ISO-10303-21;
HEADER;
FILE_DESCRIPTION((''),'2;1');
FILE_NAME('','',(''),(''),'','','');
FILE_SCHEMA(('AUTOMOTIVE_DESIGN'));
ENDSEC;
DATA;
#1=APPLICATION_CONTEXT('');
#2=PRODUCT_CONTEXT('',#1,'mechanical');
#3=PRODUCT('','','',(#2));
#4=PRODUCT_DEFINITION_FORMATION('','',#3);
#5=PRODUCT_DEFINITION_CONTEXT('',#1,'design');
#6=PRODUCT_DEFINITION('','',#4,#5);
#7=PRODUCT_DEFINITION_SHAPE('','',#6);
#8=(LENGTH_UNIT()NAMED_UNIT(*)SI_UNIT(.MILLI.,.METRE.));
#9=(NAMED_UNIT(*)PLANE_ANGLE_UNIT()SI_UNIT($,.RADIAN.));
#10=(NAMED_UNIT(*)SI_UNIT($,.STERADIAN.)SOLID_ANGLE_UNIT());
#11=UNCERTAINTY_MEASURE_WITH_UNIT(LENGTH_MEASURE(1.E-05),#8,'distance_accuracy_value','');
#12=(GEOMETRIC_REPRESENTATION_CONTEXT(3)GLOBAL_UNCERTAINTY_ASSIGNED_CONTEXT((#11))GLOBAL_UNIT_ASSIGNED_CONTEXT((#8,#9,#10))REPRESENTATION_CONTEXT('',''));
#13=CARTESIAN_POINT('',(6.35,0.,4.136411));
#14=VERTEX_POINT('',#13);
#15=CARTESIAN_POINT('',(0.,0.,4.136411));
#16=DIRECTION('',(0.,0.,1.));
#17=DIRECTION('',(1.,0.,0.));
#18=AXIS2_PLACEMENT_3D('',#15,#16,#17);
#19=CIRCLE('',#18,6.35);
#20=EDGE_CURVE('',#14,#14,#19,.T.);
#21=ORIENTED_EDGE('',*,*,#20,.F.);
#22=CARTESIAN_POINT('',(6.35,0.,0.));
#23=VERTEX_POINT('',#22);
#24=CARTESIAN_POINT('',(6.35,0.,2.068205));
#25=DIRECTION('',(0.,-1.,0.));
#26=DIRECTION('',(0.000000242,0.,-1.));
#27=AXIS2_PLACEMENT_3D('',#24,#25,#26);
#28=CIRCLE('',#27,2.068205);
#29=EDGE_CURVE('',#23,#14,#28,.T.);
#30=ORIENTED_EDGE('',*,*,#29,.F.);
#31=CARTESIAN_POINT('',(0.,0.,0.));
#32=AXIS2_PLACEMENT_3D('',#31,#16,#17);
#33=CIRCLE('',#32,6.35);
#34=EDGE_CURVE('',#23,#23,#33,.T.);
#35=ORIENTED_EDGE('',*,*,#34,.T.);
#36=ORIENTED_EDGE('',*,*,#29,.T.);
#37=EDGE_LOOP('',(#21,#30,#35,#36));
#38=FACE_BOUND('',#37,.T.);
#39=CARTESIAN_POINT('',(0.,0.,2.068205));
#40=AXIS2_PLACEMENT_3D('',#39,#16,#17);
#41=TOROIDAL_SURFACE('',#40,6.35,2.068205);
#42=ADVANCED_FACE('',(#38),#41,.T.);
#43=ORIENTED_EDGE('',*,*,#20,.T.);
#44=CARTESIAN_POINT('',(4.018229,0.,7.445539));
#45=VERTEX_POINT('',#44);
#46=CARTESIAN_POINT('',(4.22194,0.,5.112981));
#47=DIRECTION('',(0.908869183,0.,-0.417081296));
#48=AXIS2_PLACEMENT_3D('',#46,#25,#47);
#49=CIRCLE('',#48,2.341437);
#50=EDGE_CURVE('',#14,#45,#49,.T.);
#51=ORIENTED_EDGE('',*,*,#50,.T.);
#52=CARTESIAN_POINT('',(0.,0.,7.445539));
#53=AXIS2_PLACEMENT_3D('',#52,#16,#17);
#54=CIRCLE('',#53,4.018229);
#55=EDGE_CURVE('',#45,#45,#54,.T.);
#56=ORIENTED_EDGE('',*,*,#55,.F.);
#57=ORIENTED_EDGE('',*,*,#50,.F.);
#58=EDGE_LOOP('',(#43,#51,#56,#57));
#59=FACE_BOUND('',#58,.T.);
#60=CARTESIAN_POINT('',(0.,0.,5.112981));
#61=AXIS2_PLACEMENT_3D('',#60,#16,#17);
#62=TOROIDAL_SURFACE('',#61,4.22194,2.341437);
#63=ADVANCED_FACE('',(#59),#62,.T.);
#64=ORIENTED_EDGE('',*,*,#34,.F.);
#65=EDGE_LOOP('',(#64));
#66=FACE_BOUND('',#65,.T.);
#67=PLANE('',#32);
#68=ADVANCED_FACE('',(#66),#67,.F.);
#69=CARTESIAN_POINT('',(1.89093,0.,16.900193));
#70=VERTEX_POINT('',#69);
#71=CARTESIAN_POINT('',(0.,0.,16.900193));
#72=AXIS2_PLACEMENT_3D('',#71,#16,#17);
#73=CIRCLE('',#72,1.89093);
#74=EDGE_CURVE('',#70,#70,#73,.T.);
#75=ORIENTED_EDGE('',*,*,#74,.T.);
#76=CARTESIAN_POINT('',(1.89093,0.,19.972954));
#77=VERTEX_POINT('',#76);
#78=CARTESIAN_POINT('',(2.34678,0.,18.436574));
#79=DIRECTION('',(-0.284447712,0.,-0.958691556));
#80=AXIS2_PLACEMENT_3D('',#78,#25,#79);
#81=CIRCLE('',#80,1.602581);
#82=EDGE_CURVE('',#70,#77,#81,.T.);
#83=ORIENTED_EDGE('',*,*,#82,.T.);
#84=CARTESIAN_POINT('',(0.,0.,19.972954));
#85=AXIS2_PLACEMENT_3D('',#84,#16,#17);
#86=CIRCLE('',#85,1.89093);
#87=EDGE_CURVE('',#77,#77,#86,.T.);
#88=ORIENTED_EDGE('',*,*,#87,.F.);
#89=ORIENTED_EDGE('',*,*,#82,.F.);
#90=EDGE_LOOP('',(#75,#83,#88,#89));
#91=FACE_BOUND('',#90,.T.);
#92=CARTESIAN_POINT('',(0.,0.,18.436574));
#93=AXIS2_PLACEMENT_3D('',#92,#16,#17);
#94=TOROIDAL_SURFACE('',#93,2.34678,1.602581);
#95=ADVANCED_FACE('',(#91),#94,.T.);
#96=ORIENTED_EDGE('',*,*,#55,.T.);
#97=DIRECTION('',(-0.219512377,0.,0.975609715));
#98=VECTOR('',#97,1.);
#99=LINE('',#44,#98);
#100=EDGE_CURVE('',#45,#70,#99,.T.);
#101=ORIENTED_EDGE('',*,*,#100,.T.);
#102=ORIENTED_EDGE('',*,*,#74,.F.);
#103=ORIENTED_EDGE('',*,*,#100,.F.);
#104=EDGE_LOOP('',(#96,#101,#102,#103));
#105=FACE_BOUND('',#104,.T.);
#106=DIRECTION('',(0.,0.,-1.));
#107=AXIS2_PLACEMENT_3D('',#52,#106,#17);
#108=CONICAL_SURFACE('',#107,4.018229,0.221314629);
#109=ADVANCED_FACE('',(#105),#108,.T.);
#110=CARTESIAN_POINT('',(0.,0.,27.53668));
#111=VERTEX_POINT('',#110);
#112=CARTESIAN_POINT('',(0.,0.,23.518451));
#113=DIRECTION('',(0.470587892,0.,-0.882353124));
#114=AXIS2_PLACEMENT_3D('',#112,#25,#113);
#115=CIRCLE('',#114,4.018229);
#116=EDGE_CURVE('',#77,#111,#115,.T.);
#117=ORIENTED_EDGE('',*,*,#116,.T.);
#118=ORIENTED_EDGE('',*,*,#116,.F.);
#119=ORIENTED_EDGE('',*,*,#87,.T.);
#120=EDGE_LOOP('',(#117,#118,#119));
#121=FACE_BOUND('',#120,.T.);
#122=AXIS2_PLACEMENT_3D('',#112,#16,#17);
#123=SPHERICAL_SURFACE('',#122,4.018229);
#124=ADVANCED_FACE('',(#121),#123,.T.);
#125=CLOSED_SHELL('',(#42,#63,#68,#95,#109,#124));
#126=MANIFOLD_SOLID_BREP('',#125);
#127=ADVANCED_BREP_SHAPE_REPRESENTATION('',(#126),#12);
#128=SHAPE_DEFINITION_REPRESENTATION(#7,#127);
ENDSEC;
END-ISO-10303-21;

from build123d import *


with BuildPart() as f1:
    # F0 (on Front) → F1 (revolve)
    with BuildSketch(Plane.XZ):
        with BuildLine():
            Line((0, 27.53668), (0, 0))
            Line((0, 0), (6.35, 0))
            ThreePointArc((6.35, 0), (8.418205, 2.068205), (6.35, 4.136411))
            ThreePointArc((6.35, 4.136411), (6.135931, 6.461671), (4.018229, 7.445539))
            Line((4.018229, 7.445539), (1.89093, 16.900193))
            ThreePointArc((1.89093, 16.900193), (3.949361, 18.436573), (1.89093, 19.972954))
            ThreePointArc((1.89093, 19.972954), (3.898255, 24.493014), (0, 27.53668))
        make_face()
    revolve(axis=Axis((0, 0, 13.76834), (0, 0, 1)))


solid = f1.part
